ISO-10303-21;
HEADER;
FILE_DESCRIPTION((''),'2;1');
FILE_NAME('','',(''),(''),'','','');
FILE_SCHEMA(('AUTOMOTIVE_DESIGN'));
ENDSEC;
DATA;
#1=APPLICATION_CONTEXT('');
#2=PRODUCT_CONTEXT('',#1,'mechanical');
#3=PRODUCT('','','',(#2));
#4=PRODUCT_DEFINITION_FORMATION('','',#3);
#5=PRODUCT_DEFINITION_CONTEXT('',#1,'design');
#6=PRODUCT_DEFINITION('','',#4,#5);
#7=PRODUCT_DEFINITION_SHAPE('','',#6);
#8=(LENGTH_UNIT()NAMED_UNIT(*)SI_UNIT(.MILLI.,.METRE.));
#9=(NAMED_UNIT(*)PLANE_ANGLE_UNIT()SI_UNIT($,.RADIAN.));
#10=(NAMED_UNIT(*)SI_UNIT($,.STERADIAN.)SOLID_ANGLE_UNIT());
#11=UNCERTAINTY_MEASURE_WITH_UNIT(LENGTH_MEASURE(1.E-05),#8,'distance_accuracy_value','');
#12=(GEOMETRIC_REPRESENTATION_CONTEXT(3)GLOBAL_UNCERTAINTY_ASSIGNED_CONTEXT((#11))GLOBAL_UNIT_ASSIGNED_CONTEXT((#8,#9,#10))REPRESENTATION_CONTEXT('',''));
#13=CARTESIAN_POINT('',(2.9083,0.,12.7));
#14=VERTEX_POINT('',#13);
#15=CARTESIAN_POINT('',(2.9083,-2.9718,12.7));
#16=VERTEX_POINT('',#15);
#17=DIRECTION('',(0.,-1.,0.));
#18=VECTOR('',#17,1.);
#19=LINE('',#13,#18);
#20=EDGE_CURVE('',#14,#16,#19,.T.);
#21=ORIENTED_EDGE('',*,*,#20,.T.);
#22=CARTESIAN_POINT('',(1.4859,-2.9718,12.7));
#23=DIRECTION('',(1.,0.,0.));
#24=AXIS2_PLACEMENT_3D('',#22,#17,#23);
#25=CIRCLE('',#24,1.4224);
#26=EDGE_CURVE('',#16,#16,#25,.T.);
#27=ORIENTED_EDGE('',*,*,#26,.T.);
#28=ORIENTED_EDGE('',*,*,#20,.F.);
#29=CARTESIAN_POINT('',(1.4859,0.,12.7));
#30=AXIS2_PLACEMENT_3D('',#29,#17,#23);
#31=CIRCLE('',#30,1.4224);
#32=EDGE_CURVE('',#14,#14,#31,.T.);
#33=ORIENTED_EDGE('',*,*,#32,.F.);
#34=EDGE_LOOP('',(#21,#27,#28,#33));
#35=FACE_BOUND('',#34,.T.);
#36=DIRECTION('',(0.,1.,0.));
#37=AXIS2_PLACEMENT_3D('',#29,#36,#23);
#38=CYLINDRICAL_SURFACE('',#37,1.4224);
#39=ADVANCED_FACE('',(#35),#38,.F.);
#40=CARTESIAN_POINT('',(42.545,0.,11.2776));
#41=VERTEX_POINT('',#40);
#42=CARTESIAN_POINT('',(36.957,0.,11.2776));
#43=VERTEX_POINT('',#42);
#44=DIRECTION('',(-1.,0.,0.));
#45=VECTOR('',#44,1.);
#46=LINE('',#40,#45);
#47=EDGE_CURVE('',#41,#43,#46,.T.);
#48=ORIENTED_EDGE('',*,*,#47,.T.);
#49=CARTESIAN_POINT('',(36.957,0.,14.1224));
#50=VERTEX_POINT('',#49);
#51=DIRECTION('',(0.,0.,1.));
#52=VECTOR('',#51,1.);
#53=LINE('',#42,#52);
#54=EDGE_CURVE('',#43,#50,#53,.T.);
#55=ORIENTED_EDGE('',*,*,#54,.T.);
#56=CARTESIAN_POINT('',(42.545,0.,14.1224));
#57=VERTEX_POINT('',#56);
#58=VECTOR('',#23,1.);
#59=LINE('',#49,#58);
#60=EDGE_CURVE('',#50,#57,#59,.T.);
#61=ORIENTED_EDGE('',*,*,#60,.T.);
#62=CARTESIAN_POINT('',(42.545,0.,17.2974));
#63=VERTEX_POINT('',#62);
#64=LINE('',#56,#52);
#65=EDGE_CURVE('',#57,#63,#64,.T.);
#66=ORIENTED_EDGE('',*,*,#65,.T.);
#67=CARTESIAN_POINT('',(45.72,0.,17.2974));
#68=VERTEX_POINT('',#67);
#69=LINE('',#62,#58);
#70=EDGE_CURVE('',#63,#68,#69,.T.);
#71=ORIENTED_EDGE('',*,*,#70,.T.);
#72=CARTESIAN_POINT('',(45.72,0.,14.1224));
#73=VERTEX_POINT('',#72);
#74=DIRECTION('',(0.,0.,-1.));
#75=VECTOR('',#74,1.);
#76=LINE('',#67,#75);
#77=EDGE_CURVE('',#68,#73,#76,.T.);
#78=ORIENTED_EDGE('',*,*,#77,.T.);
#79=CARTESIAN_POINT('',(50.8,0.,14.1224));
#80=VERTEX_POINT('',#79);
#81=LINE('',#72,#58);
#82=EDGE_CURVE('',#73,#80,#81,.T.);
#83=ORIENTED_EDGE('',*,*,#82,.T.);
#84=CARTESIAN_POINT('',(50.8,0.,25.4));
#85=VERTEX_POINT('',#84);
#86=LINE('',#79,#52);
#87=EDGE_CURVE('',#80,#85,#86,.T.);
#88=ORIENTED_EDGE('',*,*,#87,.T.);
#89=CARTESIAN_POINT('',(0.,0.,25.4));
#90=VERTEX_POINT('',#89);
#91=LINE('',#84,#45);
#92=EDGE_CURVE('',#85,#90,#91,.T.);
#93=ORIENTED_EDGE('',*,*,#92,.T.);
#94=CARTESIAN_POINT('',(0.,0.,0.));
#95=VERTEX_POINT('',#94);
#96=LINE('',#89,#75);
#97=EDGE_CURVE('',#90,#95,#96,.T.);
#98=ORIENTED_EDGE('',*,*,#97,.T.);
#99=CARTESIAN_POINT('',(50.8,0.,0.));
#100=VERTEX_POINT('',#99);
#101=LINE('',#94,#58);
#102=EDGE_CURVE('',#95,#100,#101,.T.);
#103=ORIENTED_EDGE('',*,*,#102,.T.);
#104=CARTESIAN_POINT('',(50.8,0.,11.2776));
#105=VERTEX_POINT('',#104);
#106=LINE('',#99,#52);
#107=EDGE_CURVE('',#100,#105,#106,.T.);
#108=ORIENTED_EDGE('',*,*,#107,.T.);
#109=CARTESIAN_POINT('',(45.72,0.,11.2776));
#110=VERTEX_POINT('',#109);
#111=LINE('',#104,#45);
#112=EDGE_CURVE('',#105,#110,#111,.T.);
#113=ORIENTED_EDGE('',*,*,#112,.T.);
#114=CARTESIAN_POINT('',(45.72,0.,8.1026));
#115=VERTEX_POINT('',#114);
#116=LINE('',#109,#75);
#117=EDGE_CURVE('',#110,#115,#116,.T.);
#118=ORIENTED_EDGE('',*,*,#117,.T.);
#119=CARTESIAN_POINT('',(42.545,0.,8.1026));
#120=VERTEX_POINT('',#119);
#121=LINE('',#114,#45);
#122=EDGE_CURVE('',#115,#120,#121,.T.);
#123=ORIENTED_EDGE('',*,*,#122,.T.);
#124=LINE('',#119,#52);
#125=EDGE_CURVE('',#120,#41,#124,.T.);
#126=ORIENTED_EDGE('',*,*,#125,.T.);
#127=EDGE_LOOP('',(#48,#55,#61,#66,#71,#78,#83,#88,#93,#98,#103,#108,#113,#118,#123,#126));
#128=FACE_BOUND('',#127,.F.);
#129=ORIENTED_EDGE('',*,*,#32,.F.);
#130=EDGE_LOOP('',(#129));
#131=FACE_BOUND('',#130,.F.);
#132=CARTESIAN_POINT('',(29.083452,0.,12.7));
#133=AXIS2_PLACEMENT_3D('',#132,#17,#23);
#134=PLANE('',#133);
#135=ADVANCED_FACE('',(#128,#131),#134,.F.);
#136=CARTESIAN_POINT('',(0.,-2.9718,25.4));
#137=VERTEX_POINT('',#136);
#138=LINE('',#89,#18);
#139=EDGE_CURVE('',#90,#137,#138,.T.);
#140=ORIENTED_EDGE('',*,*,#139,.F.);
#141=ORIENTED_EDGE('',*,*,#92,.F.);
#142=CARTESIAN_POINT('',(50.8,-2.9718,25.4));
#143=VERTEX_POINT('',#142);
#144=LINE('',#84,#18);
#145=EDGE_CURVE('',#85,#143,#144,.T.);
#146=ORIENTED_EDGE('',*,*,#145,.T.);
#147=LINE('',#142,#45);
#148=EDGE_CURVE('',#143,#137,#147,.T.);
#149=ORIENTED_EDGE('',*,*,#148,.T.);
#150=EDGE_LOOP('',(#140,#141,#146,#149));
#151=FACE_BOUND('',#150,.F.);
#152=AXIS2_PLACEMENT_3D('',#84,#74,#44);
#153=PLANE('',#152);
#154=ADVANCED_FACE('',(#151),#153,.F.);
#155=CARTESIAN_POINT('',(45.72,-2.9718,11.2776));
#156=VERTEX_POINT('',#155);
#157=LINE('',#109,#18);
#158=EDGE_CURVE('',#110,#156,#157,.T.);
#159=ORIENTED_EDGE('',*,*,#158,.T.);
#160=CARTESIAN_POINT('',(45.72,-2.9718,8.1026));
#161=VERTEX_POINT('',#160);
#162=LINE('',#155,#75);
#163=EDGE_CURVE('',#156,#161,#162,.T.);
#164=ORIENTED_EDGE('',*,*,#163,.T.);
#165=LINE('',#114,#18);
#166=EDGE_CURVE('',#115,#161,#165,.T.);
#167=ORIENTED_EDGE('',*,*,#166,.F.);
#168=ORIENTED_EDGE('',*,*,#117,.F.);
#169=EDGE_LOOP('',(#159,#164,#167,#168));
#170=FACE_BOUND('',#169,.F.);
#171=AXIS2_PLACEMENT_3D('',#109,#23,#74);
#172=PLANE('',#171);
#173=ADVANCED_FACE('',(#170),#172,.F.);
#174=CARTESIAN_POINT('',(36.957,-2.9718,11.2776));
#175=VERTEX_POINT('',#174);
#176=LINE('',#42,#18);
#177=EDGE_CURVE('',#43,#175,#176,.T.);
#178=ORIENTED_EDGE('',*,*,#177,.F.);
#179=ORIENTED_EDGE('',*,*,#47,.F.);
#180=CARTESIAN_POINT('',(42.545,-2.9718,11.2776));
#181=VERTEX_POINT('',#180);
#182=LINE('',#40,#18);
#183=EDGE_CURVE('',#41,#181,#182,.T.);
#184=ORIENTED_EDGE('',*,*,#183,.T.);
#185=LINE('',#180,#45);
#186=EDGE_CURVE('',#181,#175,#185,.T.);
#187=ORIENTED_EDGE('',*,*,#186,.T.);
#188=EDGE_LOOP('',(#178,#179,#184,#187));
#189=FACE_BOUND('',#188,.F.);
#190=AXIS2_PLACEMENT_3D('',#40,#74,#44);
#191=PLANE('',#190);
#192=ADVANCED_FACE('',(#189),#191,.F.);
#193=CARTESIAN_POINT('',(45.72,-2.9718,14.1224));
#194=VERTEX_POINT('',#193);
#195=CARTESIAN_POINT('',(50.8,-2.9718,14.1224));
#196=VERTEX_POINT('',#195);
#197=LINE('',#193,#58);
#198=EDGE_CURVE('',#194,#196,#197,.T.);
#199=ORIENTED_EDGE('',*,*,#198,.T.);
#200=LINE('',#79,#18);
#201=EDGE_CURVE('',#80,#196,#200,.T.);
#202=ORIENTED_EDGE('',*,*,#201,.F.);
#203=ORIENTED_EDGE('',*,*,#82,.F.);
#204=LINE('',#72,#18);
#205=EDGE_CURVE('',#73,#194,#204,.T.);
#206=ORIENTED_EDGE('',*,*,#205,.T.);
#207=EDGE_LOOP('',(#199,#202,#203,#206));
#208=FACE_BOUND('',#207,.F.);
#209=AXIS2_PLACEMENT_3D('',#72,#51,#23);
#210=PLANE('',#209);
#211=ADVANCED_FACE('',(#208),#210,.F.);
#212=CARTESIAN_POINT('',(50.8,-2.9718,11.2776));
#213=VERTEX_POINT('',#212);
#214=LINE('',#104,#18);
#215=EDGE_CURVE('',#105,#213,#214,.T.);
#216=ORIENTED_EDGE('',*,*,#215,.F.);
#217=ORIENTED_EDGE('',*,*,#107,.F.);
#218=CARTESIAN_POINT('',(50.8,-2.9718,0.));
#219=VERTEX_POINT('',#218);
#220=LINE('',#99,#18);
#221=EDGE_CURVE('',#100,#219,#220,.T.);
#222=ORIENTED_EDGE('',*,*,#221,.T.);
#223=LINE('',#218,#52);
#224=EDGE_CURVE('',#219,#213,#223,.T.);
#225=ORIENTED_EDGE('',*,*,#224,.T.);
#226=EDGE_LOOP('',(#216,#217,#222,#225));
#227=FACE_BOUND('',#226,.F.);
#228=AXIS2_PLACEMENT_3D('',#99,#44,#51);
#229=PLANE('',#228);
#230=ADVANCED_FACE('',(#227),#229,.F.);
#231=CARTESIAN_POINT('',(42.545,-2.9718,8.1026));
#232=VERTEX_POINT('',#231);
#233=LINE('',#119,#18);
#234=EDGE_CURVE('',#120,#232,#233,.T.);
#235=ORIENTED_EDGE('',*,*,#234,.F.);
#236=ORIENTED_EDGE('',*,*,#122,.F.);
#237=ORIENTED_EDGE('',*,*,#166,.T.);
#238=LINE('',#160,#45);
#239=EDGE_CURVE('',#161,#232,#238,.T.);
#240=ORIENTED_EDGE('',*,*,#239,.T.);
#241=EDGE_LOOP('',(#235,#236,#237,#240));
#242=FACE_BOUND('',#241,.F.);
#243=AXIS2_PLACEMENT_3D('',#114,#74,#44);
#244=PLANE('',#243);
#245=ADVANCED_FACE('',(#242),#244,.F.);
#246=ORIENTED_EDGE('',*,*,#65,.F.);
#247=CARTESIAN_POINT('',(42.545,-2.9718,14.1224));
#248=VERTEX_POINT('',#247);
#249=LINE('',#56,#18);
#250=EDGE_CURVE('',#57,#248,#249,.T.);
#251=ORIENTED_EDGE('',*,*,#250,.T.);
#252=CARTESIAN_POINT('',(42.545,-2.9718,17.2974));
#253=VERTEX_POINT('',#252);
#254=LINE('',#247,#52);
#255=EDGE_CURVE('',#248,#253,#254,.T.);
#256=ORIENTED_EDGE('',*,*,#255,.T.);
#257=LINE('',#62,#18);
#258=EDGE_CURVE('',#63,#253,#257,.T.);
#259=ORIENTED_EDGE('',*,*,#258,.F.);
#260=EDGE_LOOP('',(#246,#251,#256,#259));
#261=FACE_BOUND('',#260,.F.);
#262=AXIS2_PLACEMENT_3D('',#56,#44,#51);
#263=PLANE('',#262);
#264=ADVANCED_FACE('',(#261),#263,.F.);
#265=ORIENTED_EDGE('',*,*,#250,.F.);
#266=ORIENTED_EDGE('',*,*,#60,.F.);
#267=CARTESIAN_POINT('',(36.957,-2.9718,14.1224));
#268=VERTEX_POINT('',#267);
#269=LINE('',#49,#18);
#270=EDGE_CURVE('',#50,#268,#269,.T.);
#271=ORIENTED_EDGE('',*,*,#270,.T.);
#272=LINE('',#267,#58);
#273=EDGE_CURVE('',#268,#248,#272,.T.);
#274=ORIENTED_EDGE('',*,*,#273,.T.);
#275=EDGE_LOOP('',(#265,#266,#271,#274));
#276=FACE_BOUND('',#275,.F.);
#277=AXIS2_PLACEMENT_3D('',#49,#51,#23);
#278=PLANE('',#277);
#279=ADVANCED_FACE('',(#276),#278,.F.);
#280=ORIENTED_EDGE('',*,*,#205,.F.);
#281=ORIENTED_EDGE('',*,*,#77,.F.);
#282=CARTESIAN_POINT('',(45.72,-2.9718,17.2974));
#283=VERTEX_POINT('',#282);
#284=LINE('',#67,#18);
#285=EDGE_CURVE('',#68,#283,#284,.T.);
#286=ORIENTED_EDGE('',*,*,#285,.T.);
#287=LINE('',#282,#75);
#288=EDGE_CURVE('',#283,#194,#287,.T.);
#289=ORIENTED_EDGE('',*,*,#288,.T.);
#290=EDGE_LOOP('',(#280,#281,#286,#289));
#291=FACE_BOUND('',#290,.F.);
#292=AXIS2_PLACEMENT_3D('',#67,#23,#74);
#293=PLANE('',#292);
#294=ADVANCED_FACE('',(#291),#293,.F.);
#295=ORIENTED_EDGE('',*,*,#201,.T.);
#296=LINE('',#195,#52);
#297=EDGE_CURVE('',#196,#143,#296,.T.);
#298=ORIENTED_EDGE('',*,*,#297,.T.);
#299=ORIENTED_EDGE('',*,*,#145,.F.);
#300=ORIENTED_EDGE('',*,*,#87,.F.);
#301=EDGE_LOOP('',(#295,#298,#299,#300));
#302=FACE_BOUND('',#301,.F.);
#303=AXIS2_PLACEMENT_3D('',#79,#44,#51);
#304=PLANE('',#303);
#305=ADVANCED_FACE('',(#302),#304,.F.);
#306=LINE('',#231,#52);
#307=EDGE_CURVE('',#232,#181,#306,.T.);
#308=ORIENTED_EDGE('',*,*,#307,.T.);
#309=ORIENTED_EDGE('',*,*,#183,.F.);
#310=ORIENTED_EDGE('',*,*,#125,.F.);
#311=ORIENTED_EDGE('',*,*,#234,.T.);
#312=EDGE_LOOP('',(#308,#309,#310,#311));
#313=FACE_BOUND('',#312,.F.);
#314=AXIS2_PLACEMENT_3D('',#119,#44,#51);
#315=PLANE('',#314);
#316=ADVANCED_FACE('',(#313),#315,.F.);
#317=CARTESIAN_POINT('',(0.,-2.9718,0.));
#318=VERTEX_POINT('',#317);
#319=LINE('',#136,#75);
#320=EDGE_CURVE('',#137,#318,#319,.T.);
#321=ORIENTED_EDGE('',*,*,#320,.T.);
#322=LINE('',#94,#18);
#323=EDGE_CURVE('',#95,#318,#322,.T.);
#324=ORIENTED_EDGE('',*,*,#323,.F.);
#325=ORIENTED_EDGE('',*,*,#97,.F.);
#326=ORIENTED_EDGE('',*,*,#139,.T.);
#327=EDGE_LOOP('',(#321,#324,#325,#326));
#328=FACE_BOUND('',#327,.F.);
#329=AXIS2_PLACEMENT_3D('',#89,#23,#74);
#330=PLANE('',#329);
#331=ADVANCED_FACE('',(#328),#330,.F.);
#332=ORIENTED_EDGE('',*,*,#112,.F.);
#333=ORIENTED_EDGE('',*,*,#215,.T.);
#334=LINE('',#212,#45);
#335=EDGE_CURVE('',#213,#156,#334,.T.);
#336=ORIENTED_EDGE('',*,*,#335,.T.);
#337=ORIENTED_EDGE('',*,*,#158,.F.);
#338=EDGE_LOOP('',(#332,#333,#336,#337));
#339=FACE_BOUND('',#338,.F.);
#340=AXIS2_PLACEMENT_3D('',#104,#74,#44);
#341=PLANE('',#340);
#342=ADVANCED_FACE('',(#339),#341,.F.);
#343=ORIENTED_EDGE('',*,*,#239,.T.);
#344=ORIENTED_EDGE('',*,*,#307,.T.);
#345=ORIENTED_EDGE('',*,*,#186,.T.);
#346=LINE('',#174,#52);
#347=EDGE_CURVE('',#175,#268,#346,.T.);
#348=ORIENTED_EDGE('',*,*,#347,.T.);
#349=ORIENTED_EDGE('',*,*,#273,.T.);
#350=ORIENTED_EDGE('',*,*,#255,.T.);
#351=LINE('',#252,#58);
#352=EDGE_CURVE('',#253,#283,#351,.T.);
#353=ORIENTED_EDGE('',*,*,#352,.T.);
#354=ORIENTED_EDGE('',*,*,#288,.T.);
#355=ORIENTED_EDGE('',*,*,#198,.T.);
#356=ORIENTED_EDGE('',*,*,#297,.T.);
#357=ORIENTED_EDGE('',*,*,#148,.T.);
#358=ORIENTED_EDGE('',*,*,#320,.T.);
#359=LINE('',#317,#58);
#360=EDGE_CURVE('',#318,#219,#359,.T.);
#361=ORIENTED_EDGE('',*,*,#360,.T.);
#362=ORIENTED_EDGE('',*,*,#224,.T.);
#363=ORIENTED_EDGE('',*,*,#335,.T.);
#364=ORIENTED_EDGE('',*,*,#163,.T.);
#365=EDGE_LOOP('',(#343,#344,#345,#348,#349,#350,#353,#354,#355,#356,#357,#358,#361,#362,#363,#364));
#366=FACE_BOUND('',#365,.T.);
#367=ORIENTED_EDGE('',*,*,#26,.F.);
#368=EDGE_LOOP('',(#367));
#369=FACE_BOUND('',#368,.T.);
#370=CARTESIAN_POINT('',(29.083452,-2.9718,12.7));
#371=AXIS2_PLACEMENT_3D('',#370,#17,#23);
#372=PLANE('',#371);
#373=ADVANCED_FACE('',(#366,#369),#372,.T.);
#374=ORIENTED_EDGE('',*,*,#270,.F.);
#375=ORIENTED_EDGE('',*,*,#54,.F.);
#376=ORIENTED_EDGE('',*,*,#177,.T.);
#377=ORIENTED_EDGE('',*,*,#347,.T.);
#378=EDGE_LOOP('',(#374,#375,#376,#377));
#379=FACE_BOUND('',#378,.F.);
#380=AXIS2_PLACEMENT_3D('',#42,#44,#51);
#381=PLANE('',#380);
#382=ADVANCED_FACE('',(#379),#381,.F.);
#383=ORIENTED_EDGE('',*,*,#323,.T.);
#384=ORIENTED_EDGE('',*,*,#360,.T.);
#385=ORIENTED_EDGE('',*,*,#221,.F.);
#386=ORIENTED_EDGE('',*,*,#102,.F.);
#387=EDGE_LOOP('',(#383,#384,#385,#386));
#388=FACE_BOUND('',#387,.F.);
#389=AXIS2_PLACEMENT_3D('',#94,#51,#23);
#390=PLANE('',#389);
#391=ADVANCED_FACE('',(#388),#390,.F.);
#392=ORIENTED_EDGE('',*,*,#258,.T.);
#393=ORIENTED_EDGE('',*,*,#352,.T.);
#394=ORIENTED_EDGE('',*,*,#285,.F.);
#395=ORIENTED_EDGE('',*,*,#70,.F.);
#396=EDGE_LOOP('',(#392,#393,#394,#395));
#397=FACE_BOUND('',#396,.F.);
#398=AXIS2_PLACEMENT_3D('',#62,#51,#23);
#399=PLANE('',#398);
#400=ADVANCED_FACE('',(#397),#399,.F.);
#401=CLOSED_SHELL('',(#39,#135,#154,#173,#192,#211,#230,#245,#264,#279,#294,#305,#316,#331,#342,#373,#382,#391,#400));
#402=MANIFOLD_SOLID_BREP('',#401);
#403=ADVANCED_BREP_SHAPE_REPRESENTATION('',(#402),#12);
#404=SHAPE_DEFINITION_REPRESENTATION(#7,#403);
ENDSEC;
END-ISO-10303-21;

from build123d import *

# Parameters (mm, degrees)
F0_R     = 1.4224
F1_DEPTH = 2.9718


with BuildPart() as f1:
    # F0 (on Front) → F1 (new body)
    with BuildSketch(Plane.XZ):
        Polygon((0, 25.4), (0, 0), (50.8, 0), (50.8, 11.2776), (45.72, 11.2776), (45.72, 8.1026), (42.545, 8.1026), (42.545, 11.2776), (36.957, 11.2776), (36.957, 14.1224), (42.545, 14.1224), (42.545, 17.2974), (45.72, 17.2974), (45.72, 14.1224), (50.8, 14.1224), (50.8, 25.4), align=None)
        with Locations((1.4859, 12.7)):
            Circle(F0_R, mode=Mode.SUBTRACT)
    extrude(amount=F1_DEPTH)


solid = f1.part
